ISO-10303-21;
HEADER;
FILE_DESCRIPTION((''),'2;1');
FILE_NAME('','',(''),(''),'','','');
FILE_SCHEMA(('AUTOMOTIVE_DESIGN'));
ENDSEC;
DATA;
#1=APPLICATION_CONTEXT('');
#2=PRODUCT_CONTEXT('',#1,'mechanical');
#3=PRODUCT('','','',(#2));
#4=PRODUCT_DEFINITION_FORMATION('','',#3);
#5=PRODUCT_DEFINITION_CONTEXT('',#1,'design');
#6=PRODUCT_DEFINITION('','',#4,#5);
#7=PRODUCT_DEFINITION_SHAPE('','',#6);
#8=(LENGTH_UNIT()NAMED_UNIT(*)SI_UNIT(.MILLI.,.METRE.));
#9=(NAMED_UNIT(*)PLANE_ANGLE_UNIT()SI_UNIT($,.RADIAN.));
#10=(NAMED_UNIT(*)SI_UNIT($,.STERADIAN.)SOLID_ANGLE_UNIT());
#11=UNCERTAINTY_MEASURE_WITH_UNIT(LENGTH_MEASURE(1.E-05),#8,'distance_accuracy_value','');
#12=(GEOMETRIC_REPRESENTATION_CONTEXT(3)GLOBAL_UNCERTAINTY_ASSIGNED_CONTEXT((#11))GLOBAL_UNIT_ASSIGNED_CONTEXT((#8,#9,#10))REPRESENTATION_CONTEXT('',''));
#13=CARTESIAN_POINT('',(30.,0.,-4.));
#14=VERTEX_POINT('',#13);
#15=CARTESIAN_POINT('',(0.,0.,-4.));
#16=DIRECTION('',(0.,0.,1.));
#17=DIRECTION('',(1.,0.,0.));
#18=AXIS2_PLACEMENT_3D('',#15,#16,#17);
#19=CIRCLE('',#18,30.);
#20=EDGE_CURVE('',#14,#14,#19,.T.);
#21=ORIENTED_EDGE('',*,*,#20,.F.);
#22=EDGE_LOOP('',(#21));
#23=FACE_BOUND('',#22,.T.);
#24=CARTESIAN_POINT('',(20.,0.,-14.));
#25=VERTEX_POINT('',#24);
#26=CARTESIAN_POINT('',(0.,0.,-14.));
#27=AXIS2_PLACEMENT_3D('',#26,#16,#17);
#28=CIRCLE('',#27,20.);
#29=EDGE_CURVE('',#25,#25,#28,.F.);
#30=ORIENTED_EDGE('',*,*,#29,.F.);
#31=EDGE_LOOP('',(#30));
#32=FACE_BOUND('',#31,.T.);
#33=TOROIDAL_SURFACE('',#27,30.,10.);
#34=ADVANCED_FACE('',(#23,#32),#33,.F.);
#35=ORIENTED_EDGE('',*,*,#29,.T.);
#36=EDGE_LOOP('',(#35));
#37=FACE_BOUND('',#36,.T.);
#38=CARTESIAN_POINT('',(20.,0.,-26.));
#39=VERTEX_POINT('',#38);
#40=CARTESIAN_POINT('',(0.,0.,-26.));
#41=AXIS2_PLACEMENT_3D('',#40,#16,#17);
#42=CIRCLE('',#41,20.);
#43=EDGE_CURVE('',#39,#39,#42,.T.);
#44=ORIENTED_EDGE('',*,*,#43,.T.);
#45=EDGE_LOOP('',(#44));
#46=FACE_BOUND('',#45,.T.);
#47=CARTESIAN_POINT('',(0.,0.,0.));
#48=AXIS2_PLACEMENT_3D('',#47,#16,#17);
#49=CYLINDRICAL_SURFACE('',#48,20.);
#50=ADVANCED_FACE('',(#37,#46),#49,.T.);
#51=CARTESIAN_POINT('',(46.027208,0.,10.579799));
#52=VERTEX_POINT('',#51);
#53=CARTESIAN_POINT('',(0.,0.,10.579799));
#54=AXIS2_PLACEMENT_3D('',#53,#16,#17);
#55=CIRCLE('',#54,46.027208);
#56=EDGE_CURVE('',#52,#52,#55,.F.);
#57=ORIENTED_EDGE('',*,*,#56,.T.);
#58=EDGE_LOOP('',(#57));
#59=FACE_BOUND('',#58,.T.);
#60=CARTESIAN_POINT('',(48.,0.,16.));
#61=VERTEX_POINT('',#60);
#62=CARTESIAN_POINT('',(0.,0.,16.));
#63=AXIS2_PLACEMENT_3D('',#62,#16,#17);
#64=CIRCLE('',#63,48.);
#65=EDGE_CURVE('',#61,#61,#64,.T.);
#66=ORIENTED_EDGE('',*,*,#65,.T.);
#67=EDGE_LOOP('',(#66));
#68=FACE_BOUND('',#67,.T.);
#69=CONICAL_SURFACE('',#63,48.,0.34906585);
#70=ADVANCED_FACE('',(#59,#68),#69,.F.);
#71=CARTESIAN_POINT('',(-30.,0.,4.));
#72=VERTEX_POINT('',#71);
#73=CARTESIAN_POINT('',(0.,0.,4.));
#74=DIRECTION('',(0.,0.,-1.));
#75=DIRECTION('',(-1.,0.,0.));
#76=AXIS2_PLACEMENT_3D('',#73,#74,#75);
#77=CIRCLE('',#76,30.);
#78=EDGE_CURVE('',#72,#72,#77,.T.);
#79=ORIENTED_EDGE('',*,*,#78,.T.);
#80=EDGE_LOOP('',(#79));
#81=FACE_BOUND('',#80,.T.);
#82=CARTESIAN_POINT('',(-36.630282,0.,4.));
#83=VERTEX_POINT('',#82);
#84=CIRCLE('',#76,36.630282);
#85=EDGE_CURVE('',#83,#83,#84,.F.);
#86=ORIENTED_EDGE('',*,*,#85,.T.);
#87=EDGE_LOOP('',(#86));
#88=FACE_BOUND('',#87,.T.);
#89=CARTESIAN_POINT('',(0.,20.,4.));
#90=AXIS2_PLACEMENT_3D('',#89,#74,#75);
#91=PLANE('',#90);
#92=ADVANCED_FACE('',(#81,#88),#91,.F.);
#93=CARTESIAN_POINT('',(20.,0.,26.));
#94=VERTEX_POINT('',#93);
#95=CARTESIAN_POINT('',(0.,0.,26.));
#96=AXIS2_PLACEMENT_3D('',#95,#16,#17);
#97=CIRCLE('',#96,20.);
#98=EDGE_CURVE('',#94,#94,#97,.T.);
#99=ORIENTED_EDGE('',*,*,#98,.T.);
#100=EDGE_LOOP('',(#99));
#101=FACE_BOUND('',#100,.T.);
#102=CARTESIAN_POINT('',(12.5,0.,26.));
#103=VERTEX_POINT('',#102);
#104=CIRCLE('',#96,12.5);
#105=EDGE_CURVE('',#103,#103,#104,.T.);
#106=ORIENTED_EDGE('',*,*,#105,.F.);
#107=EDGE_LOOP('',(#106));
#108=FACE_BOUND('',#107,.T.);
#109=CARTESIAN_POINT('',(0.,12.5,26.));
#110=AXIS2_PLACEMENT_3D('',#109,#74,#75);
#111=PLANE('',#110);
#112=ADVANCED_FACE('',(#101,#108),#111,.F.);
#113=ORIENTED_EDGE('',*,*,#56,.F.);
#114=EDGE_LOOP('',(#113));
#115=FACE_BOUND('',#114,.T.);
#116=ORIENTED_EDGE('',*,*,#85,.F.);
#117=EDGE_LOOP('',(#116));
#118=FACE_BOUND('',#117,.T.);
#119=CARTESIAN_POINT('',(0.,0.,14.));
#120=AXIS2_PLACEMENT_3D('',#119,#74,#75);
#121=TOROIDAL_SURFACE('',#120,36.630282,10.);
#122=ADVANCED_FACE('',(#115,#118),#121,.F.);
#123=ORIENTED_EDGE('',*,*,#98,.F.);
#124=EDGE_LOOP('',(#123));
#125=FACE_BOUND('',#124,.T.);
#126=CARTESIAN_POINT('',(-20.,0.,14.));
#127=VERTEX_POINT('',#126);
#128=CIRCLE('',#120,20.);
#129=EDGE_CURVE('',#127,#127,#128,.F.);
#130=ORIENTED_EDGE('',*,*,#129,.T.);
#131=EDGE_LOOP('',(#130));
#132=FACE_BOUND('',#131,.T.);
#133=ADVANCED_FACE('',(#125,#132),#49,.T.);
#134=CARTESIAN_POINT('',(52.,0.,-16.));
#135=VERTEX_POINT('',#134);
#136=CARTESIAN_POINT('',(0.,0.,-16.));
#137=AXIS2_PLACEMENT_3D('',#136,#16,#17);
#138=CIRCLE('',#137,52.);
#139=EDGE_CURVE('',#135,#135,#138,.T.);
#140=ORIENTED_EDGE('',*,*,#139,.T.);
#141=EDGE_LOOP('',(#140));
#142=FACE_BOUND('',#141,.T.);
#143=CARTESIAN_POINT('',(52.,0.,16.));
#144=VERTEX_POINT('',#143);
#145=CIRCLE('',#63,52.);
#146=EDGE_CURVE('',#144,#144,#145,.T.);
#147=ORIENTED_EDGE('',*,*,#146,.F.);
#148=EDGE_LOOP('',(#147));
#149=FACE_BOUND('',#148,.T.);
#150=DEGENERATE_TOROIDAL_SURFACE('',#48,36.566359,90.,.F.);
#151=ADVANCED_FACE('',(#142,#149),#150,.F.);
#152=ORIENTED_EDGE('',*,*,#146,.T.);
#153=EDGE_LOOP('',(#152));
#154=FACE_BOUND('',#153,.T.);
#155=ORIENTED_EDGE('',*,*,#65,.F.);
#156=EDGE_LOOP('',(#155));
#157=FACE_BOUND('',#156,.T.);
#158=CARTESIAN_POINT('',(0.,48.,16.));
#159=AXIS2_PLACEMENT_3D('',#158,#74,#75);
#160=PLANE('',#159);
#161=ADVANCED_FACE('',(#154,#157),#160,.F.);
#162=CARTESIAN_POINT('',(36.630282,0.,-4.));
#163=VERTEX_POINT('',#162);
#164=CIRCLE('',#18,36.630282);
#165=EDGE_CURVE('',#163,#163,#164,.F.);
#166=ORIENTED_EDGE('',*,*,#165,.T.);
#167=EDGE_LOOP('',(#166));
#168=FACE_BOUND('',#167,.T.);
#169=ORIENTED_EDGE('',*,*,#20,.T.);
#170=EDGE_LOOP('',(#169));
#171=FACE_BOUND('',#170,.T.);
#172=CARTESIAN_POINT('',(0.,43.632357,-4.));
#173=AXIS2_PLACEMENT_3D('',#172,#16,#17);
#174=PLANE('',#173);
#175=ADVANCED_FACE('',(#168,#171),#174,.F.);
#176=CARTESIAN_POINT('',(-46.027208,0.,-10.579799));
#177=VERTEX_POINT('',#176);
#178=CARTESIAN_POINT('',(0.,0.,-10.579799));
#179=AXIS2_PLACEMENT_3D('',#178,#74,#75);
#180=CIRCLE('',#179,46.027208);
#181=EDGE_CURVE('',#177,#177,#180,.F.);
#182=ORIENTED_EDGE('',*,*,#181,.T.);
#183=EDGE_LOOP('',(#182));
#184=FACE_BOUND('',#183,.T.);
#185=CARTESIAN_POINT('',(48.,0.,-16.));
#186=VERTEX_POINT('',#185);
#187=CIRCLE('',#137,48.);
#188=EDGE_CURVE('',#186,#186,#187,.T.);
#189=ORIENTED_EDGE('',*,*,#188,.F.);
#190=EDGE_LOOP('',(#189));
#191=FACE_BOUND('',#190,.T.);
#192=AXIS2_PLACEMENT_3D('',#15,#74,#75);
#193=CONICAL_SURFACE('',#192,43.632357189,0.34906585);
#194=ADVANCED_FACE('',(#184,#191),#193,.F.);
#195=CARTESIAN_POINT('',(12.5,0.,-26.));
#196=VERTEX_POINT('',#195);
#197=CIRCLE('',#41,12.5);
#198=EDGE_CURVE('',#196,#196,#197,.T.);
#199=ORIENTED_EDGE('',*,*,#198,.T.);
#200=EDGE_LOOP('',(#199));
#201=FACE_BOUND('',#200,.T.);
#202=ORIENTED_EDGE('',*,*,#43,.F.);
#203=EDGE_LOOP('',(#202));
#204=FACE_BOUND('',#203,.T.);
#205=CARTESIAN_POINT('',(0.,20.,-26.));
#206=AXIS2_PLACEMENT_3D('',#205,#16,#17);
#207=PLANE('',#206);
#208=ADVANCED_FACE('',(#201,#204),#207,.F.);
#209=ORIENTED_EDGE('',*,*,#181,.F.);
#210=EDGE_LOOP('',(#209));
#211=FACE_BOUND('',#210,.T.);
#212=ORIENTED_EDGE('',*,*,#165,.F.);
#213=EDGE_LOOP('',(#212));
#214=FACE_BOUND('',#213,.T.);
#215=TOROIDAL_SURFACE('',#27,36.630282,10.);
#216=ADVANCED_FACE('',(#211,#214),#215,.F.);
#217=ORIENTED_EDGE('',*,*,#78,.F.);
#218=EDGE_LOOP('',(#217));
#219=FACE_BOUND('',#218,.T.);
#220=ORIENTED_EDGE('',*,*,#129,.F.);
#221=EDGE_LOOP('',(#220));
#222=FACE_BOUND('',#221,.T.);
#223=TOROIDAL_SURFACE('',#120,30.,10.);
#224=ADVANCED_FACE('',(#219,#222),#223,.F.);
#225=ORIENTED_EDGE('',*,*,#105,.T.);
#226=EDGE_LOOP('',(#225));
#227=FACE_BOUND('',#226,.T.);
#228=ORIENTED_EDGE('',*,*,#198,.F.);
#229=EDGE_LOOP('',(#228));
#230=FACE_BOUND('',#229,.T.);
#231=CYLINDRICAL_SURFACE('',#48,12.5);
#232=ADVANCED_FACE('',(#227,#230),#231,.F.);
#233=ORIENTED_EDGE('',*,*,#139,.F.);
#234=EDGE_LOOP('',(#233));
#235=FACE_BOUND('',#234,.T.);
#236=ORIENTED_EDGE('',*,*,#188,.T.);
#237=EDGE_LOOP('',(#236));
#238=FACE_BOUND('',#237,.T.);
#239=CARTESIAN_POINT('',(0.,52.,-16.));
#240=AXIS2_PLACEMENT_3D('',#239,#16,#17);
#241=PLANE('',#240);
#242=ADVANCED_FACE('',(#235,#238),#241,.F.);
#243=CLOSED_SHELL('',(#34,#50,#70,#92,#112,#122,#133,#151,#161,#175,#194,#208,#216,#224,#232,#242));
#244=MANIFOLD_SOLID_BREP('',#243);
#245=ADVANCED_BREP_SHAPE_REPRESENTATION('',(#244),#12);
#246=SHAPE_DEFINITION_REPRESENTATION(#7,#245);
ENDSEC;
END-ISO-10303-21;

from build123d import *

# Parameters (mm, degrees)
RACCORDO1_R = 10
RACCORDO2_R = 10


with BuildPart() as part:
    # Schizzo1 → Rivoluzione1 (revolve)
    with BuildSketch(Plane(origin=(0, 0, 0), x_dir=(0, 0, -1), z_dir=(1, 0, 0))):
        with BuildLine():
            Line((26, 12.5), (-26, 12.5))
            Line((-26, 12.5), (-26, 20))
            Line((-26, 20), (-4, 20))
            Line((-4, 20), (-4, 43.632357189))
            Line((-4, 43.632357189), (-16, 48))
            Line((-16, 48), (-16, 52))
            ThreePointArc((-16, 52), (0, 53.433640698), (16, 52))
            Line((16, 52), (16, 48))
            Line((16, 48), (4, 43.632357189))
            Line((4, 43.632357189), (4, 20))
            Line((4, 20), (26, 20))
            Line((26, 20), (26, 12.5))
        make_face()
    revolve(axis=Axis((0, 0, 0), (0, 0, -1)))

    # Raccordo1
    raccordo1_edges = [part.edges().sort_by_distance(p)[0] for p in [
        (0, -43.632357189, -4),
        (0, -20, -4),
    ]]
    fillet(raccordo1_edges, radius=RACCORDO1_R)

    # Raccordo2
    raccordo2_edges = [part.edges().sort_by_distance(p)[0] for p in [
        (0, -43.632357189, 4),
        (0, -20, 4),
    ]]
    fillet(raccordo2_edges, radius=RACCORDO2_R)


solid = part.part
